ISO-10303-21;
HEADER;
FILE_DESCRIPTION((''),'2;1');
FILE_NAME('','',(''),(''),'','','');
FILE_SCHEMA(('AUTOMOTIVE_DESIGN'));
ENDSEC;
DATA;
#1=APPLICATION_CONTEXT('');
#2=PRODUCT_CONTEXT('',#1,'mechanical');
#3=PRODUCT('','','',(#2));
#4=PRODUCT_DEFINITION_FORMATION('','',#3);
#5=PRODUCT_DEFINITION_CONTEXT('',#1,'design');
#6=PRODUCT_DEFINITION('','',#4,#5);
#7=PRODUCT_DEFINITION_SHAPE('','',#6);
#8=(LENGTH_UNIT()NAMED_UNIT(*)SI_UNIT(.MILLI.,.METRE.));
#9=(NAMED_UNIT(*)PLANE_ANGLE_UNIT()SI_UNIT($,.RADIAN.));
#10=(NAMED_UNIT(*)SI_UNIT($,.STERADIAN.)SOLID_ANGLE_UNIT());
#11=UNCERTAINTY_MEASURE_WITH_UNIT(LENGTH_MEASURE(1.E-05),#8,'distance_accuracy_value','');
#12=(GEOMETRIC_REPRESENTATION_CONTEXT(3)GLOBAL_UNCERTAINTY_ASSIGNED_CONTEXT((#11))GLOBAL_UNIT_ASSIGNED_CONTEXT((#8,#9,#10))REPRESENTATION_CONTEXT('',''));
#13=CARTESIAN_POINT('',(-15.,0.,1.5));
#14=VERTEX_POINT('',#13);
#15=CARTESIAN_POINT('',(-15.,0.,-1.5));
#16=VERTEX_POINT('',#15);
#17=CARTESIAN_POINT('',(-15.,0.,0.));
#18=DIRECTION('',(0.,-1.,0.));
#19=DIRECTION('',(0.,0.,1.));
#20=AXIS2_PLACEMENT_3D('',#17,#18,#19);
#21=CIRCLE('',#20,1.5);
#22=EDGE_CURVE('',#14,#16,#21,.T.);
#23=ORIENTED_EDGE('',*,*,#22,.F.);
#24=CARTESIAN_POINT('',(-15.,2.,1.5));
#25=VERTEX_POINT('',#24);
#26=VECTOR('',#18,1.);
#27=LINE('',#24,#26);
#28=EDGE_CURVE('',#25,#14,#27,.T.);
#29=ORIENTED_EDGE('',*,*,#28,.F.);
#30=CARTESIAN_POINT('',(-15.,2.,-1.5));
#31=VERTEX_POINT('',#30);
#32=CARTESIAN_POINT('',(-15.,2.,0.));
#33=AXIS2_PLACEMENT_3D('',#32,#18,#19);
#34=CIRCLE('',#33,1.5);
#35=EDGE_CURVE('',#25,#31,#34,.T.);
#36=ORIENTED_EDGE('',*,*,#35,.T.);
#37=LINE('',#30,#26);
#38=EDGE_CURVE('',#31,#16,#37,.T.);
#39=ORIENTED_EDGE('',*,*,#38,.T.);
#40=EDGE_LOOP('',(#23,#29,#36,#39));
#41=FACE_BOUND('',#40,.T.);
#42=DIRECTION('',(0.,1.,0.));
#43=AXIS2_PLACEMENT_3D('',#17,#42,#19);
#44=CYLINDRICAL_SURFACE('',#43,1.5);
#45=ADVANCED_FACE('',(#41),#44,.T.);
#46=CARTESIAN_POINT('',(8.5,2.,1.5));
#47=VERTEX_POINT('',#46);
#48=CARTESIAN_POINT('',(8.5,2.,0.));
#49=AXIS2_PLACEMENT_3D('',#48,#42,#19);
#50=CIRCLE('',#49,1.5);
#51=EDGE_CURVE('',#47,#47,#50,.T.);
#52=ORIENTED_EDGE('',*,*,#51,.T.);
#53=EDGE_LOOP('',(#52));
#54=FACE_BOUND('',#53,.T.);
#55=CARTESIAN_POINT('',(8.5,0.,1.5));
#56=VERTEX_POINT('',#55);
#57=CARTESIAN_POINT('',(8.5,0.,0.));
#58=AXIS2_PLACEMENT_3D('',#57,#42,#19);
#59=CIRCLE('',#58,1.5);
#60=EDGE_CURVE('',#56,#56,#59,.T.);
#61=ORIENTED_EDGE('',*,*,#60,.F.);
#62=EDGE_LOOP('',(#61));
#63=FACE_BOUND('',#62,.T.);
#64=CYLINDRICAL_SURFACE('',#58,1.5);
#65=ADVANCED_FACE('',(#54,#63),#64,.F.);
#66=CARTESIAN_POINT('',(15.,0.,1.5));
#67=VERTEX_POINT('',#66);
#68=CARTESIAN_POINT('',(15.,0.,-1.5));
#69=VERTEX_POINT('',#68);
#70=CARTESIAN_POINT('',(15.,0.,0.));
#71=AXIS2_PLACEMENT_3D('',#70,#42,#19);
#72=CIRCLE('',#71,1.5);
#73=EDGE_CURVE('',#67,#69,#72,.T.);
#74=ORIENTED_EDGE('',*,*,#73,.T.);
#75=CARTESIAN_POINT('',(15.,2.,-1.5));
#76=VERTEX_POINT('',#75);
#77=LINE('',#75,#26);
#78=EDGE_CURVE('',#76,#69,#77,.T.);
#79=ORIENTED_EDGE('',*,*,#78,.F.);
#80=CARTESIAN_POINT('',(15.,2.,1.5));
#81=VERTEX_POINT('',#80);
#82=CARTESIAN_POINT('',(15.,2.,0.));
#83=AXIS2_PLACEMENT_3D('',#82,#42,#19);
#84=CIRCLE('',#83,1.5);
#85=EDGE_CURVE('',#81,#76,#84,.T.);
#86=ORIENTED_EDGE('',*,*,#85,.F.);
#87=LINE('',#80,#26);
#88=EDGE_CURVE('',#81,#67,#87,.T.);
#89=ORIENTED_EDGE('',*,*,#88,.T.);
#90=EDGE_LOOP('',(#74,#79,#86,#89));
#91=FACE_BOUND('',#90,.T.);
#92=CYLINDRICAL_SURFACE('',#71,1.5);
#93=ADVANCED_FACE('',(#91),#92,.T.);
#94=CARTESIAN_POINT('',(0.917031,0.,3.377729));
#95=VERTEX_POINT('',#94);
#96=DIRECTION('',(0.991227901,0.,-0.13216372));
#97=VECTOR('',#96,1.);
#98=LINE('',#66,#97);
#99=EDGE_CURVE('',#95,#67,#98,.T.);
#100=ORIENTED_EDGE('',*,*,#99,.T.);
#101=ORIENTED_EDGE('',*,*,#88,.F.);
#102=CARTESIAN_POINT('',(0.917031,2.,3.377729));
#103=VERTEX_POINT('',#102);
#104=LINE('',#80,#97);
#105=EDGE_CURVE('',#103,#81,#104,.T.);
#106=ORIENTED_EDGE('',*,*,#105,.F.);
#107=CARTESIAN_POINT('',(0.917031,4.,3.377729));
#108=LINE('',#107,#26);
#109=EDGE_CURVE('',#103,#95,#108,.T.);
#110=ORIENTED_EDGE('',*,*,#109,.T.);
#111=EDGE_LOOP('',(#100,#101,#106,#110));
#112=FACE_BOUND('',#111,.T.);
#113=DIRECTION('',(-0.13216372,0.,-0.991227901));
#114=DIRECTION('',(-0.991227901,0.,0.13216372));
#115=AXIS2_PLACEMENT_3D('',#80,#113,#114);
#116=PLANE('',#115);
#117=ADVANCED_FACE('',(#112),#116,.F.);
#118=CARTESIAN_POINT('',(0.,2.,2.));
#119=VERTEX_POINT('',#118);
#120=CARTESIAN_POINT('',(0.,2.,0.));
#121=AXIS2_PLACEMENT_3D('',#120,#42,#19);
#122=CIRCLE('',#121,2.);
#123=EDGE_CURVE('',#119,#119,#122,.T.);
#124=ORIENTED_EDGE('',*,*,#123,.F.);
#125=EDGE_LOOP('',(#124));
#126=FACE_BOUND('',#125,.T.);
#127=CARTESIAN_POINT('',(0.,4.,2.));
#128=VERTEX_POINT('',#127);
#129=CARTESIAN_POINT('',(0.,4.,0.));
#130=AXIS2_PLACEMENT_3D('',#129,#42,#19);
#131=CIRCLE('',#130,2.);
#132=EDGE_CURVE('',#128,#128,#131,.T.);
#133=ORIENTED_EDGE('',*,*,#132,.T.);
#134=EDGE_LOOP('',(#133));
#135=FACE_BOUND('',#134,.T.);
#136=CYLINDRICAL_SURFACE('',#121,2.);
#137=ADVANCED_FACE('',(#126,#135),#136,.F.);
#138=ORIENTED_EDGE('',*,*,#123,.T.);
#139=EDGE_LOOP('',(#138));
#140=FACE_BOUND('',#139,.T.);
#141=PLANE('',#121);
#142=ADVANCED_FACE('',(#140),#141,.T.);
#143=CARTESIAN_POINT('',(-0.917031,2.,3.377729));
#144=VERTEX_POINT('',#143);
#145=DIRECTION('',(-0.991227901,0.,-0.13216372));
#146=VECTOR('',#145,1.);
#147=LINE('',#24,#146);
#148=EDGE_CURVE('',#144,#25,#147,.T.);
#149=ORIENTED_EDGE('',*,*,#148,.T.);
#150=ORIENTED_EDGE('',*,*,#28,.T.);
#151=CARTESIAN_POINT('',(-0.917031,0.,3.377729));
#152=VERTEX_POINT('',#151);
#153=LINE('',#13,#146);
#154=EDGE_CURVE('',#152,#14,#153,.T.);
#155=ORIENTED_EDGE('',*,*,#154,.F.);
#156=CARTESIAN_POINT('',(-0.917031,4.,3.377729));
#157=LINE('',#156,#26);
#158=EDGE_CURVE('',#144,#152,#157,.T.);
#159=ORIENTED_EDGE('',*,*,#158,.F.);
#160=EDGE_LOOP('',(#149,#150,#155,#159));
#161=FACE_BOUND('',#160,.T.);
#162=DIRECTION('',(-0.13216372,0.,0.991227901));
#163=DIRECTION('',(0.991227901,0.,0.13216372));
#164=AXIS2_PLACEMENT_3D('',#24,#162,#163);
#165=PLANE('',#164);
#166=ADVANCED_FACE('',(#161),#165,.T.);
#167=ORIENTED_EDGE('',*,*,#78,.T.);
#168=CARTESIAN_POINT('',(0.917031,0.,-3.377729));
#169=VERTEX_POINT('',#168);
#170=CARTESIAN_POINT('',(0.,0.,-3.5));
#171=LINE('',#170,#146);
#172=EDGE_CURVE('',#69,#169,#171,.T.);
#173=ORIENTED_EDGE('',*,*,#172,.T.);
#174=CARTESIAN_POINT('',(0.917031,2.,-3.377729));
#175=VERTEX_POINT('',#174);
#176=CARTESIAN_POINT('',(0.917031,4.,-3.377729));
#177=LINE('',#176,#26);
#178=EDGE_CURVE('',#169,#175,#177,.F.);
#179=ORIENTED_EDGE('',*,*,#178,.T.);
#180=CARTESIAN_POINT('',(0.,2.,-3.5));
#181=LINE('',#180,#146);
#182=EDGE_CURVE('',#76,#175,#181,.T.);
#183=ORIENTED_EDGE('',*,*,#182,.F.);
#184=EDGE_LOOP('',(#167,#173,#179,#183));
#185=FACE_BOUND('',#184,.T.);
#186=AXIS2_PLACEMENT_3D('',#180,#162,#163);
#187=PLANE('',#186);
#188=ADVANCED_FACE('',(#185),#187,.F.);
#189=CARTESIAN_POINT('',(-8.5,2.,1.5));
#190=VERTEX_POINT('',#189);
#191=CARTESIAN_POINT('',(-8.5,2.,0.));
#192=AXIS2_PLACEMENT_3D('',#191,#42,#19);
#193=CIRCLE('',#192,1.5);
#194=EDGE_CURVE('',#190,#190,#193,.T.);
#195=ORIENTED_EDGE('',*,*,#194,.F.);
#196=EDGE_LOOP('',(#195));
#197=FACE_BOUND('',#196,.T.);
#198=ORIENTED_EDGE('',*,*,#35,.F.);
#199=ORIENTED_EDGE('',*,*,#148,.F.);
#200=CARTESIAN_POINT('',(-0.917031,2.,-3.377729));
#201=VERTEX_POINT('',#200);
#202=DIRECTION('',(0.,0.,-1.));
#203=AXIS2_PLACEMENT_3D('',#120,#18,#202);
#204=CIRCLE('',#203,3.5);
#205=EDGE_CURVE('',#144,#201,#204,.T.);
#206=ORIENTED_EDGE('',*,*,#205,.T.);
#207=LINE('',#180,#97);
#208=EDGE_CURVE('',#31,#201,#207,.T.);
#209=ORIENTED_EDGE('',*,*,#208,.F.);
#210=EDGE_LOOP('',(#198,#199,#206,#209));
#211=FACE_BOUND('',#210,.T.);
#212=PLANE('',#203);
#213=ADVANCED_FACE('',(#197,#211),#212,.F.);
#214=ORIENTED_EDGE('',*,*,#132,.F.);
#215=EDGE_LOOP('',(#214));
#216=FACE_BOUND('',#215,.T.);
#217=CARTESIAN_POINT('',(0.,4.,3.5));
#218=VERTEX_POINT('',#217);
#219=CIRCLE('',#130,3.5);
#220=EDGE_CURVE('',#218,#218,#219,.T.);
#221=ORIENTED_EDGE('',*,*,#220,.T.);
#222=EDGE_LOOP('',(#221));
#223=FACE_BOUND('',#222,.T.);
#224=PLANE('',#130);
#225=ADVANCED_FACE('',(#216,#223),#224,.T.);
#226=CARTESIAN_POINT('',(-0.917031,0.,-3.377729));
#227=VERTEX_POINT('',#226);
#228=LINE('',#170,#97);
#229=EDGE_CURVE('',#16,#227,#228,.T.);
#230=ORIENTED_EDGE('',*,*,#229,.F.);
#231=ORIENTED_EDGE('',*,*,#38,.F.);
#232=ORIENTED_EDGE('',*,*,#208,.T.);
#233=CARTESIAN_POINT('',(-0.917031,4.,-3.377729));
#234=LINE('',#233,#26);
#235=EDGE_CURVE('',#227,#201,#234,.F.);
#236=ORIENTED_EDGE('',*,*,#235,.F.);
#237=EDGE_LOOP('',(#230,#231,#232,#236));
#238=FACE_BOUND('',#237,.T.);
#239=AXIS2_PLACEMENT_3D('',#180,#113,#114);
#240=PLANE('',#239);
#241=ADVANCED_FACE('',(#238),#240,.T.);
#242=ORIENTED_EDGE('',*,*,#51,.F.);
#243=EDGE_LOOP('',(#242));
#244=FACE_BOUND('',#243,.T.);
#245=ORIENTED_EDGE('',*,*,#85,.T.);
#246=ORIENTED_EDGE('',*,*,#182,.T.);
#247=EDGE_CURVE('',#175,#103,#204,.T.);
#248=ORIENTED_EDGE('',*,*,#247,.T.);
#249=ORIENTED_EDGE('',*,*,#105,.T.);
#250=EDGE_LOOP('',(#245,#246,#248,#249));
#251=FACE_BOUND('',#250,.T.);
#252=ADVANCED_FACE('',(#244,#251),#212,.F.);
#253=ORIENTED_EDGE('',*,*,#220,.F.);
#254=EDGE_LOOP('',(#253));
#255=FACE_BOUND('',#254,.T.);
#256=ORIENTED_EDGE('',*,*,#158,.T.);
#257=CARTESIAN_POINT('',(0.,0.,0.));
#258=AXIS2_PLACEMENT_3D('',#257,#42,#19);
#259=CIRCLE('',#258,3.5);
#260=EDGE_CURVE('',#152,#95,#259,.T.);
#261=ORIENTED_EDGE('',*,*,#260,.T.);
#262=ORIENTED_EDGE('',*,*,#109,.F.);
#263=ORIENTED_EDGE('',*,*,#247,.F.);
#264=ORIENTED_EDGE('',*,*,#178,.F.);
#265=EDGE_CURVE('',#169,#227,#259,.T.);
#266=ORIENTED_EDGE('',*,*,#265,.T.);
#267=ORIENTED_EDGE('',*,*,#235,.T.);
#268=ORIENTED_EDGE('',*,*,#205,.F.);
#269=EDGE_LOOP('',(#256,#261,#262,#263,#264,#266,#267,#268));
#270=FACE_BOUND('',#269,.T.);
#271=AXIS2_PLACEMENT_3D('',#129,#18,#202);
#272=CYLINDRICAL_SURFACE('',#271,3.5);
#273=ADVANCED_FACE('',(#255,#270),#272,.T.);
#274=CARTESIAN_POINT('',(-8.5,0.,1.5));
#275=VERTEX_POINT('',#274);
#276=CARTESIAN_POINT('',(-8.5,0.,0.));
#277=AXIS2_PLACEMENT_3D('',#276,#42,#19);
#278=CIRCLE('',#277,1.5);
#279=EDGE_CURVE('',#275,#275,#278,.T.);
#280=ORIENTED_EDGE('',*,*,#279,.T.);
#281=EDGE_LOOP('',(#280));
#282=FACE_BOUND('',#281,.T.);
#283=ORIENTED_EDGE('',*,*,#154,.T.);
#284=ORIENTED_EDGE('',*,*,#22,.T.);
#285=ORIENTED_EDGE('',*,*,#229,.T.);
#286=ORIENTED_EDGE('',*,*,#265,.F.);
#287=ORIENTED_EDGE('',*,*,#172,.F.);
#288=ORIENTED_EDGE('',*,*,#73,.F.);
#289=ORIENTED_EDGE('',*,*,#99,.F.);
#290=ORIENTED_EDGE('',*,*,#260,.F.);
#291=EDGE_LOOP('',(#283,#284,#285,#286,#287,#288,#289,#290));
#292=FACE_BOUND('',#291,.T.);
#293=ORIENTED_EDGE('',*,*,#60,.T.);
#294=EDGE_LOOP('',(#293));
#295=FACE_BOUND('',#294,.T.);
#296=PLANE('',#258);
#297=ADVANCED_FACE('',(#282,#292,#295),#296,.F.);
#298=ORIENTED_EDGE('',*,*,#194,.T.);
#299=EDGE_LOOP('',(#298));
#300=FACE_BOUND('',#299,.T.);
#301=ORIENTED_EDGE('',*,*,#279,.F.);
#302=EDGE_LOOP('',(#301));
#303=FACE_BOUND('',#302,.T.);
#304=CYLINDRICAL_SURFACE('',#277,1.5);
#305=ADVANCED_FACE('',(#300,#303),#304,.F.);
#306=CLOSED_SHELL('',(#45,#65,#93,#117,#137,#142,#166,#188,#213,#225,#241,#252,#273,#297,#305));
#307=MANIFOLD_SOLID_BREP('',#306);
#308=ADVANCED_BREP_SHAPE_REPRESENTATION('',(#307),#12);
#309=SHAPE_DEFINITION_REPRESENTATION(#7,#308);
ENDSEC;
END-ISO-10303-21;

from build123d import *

# Parameters (mm, degrees)
ESQUISSE1_R             = 3.5
BOSS_EXTRU_1_DEPTH      = 4
ESQUISSE2_R             = 2
ENL_V_MAT_EXTRU_1_DEPTH = 2
BOSS_EXTRU_2_DEPTH      = 2
ESQUISSE4_R             = 1.5
BOSS_EXTRU_3_DEPTH      = 2
ESQUISSE5_R             = 1.5
ENL_V_MAT_EXTRU_2_DEPTH = 2


with BuildPart() as part:
    # Esquisse1 → Boss.-Extru.1 (new body)
    with BuildSketch(Plane(origin=(0, 0, 0), x_dir=(1, 0, 0), z_dir=(0, 1, 0))):
        Circle(ESQUISSE1_R)
    extrude(amount=BOSS_EXTRU_1_DEPTH)

    # Esquisse2 → Enlèv. mat.-Extru.1 (cut)
    with BuildSketch(Plane(origin=(0, 4, 0), x_dir=(1, 0, 0), z_dir=(0, 1, 0))):
        Circle(ESQUISSE2_R)
    extrude(amount=-ENL_V_MAT_EXTRU_1_DEPTH, mode=Mode.SUBTRACT)

    # Esquisse3 → Boss.-Extru.2 (add)
    with BuildSketch(Plane(origin=(0, 0, 0), x_dir=(1, 0, 0), z_dir=(0, 1, 0))):
        Polygon((0, 3.5), (15, 1.5), (15, -1.5), (0, -3.5), align=None)
    boss_extru_2 = extrude(amount=BOSS_EXTRU_2_DEPTH)

    # Esquisse4 → Boss.-Extru.3 (add)
    with BuildSketch(Plane(origin=(0, 2, 0), x_dir=(1, 0, 0), z_dir=(0, 1, 0))):
        with Locations((15, 0)):
            Circle(ESQUISSE4_R)
    boss_extru_3 = extrude(amount=-BOSS_EXTRU_3_DEPTH)

    # Symétrie1: Boss.-Extru.2, Boss.-Extru.3 across plane
    add(boss_extru_2.mirror(Plane(origin=(0, 0, 0), x_dir=(0, 0, 1), z_dir=(1, 0, 0))))
    add(boss_extru_3.mirror(Plane(origin=(0, 0, 0), x_dir=(0, 0, 1), z_dir=(1, 0, 0))))

    # Esquisse5 → Enlèv. mat.-Extru.2 (cut)
    with BuildSketch(Plane(origin=(0, 2, 0), x_dir=(1, 0, 0), z_dir=(0, 1, 0))):
        with Locations((-8.5, 0)):
            Circle(ESQUISSE5_R)
        with Locations((8.5, 0)):
            Circle(ESQUISSE5_R)
    extrude(amount=-ENL_V_MAT_EXTRU_2_DEPTH, mode=Mode.SUBTRACT)


solid = part.part
